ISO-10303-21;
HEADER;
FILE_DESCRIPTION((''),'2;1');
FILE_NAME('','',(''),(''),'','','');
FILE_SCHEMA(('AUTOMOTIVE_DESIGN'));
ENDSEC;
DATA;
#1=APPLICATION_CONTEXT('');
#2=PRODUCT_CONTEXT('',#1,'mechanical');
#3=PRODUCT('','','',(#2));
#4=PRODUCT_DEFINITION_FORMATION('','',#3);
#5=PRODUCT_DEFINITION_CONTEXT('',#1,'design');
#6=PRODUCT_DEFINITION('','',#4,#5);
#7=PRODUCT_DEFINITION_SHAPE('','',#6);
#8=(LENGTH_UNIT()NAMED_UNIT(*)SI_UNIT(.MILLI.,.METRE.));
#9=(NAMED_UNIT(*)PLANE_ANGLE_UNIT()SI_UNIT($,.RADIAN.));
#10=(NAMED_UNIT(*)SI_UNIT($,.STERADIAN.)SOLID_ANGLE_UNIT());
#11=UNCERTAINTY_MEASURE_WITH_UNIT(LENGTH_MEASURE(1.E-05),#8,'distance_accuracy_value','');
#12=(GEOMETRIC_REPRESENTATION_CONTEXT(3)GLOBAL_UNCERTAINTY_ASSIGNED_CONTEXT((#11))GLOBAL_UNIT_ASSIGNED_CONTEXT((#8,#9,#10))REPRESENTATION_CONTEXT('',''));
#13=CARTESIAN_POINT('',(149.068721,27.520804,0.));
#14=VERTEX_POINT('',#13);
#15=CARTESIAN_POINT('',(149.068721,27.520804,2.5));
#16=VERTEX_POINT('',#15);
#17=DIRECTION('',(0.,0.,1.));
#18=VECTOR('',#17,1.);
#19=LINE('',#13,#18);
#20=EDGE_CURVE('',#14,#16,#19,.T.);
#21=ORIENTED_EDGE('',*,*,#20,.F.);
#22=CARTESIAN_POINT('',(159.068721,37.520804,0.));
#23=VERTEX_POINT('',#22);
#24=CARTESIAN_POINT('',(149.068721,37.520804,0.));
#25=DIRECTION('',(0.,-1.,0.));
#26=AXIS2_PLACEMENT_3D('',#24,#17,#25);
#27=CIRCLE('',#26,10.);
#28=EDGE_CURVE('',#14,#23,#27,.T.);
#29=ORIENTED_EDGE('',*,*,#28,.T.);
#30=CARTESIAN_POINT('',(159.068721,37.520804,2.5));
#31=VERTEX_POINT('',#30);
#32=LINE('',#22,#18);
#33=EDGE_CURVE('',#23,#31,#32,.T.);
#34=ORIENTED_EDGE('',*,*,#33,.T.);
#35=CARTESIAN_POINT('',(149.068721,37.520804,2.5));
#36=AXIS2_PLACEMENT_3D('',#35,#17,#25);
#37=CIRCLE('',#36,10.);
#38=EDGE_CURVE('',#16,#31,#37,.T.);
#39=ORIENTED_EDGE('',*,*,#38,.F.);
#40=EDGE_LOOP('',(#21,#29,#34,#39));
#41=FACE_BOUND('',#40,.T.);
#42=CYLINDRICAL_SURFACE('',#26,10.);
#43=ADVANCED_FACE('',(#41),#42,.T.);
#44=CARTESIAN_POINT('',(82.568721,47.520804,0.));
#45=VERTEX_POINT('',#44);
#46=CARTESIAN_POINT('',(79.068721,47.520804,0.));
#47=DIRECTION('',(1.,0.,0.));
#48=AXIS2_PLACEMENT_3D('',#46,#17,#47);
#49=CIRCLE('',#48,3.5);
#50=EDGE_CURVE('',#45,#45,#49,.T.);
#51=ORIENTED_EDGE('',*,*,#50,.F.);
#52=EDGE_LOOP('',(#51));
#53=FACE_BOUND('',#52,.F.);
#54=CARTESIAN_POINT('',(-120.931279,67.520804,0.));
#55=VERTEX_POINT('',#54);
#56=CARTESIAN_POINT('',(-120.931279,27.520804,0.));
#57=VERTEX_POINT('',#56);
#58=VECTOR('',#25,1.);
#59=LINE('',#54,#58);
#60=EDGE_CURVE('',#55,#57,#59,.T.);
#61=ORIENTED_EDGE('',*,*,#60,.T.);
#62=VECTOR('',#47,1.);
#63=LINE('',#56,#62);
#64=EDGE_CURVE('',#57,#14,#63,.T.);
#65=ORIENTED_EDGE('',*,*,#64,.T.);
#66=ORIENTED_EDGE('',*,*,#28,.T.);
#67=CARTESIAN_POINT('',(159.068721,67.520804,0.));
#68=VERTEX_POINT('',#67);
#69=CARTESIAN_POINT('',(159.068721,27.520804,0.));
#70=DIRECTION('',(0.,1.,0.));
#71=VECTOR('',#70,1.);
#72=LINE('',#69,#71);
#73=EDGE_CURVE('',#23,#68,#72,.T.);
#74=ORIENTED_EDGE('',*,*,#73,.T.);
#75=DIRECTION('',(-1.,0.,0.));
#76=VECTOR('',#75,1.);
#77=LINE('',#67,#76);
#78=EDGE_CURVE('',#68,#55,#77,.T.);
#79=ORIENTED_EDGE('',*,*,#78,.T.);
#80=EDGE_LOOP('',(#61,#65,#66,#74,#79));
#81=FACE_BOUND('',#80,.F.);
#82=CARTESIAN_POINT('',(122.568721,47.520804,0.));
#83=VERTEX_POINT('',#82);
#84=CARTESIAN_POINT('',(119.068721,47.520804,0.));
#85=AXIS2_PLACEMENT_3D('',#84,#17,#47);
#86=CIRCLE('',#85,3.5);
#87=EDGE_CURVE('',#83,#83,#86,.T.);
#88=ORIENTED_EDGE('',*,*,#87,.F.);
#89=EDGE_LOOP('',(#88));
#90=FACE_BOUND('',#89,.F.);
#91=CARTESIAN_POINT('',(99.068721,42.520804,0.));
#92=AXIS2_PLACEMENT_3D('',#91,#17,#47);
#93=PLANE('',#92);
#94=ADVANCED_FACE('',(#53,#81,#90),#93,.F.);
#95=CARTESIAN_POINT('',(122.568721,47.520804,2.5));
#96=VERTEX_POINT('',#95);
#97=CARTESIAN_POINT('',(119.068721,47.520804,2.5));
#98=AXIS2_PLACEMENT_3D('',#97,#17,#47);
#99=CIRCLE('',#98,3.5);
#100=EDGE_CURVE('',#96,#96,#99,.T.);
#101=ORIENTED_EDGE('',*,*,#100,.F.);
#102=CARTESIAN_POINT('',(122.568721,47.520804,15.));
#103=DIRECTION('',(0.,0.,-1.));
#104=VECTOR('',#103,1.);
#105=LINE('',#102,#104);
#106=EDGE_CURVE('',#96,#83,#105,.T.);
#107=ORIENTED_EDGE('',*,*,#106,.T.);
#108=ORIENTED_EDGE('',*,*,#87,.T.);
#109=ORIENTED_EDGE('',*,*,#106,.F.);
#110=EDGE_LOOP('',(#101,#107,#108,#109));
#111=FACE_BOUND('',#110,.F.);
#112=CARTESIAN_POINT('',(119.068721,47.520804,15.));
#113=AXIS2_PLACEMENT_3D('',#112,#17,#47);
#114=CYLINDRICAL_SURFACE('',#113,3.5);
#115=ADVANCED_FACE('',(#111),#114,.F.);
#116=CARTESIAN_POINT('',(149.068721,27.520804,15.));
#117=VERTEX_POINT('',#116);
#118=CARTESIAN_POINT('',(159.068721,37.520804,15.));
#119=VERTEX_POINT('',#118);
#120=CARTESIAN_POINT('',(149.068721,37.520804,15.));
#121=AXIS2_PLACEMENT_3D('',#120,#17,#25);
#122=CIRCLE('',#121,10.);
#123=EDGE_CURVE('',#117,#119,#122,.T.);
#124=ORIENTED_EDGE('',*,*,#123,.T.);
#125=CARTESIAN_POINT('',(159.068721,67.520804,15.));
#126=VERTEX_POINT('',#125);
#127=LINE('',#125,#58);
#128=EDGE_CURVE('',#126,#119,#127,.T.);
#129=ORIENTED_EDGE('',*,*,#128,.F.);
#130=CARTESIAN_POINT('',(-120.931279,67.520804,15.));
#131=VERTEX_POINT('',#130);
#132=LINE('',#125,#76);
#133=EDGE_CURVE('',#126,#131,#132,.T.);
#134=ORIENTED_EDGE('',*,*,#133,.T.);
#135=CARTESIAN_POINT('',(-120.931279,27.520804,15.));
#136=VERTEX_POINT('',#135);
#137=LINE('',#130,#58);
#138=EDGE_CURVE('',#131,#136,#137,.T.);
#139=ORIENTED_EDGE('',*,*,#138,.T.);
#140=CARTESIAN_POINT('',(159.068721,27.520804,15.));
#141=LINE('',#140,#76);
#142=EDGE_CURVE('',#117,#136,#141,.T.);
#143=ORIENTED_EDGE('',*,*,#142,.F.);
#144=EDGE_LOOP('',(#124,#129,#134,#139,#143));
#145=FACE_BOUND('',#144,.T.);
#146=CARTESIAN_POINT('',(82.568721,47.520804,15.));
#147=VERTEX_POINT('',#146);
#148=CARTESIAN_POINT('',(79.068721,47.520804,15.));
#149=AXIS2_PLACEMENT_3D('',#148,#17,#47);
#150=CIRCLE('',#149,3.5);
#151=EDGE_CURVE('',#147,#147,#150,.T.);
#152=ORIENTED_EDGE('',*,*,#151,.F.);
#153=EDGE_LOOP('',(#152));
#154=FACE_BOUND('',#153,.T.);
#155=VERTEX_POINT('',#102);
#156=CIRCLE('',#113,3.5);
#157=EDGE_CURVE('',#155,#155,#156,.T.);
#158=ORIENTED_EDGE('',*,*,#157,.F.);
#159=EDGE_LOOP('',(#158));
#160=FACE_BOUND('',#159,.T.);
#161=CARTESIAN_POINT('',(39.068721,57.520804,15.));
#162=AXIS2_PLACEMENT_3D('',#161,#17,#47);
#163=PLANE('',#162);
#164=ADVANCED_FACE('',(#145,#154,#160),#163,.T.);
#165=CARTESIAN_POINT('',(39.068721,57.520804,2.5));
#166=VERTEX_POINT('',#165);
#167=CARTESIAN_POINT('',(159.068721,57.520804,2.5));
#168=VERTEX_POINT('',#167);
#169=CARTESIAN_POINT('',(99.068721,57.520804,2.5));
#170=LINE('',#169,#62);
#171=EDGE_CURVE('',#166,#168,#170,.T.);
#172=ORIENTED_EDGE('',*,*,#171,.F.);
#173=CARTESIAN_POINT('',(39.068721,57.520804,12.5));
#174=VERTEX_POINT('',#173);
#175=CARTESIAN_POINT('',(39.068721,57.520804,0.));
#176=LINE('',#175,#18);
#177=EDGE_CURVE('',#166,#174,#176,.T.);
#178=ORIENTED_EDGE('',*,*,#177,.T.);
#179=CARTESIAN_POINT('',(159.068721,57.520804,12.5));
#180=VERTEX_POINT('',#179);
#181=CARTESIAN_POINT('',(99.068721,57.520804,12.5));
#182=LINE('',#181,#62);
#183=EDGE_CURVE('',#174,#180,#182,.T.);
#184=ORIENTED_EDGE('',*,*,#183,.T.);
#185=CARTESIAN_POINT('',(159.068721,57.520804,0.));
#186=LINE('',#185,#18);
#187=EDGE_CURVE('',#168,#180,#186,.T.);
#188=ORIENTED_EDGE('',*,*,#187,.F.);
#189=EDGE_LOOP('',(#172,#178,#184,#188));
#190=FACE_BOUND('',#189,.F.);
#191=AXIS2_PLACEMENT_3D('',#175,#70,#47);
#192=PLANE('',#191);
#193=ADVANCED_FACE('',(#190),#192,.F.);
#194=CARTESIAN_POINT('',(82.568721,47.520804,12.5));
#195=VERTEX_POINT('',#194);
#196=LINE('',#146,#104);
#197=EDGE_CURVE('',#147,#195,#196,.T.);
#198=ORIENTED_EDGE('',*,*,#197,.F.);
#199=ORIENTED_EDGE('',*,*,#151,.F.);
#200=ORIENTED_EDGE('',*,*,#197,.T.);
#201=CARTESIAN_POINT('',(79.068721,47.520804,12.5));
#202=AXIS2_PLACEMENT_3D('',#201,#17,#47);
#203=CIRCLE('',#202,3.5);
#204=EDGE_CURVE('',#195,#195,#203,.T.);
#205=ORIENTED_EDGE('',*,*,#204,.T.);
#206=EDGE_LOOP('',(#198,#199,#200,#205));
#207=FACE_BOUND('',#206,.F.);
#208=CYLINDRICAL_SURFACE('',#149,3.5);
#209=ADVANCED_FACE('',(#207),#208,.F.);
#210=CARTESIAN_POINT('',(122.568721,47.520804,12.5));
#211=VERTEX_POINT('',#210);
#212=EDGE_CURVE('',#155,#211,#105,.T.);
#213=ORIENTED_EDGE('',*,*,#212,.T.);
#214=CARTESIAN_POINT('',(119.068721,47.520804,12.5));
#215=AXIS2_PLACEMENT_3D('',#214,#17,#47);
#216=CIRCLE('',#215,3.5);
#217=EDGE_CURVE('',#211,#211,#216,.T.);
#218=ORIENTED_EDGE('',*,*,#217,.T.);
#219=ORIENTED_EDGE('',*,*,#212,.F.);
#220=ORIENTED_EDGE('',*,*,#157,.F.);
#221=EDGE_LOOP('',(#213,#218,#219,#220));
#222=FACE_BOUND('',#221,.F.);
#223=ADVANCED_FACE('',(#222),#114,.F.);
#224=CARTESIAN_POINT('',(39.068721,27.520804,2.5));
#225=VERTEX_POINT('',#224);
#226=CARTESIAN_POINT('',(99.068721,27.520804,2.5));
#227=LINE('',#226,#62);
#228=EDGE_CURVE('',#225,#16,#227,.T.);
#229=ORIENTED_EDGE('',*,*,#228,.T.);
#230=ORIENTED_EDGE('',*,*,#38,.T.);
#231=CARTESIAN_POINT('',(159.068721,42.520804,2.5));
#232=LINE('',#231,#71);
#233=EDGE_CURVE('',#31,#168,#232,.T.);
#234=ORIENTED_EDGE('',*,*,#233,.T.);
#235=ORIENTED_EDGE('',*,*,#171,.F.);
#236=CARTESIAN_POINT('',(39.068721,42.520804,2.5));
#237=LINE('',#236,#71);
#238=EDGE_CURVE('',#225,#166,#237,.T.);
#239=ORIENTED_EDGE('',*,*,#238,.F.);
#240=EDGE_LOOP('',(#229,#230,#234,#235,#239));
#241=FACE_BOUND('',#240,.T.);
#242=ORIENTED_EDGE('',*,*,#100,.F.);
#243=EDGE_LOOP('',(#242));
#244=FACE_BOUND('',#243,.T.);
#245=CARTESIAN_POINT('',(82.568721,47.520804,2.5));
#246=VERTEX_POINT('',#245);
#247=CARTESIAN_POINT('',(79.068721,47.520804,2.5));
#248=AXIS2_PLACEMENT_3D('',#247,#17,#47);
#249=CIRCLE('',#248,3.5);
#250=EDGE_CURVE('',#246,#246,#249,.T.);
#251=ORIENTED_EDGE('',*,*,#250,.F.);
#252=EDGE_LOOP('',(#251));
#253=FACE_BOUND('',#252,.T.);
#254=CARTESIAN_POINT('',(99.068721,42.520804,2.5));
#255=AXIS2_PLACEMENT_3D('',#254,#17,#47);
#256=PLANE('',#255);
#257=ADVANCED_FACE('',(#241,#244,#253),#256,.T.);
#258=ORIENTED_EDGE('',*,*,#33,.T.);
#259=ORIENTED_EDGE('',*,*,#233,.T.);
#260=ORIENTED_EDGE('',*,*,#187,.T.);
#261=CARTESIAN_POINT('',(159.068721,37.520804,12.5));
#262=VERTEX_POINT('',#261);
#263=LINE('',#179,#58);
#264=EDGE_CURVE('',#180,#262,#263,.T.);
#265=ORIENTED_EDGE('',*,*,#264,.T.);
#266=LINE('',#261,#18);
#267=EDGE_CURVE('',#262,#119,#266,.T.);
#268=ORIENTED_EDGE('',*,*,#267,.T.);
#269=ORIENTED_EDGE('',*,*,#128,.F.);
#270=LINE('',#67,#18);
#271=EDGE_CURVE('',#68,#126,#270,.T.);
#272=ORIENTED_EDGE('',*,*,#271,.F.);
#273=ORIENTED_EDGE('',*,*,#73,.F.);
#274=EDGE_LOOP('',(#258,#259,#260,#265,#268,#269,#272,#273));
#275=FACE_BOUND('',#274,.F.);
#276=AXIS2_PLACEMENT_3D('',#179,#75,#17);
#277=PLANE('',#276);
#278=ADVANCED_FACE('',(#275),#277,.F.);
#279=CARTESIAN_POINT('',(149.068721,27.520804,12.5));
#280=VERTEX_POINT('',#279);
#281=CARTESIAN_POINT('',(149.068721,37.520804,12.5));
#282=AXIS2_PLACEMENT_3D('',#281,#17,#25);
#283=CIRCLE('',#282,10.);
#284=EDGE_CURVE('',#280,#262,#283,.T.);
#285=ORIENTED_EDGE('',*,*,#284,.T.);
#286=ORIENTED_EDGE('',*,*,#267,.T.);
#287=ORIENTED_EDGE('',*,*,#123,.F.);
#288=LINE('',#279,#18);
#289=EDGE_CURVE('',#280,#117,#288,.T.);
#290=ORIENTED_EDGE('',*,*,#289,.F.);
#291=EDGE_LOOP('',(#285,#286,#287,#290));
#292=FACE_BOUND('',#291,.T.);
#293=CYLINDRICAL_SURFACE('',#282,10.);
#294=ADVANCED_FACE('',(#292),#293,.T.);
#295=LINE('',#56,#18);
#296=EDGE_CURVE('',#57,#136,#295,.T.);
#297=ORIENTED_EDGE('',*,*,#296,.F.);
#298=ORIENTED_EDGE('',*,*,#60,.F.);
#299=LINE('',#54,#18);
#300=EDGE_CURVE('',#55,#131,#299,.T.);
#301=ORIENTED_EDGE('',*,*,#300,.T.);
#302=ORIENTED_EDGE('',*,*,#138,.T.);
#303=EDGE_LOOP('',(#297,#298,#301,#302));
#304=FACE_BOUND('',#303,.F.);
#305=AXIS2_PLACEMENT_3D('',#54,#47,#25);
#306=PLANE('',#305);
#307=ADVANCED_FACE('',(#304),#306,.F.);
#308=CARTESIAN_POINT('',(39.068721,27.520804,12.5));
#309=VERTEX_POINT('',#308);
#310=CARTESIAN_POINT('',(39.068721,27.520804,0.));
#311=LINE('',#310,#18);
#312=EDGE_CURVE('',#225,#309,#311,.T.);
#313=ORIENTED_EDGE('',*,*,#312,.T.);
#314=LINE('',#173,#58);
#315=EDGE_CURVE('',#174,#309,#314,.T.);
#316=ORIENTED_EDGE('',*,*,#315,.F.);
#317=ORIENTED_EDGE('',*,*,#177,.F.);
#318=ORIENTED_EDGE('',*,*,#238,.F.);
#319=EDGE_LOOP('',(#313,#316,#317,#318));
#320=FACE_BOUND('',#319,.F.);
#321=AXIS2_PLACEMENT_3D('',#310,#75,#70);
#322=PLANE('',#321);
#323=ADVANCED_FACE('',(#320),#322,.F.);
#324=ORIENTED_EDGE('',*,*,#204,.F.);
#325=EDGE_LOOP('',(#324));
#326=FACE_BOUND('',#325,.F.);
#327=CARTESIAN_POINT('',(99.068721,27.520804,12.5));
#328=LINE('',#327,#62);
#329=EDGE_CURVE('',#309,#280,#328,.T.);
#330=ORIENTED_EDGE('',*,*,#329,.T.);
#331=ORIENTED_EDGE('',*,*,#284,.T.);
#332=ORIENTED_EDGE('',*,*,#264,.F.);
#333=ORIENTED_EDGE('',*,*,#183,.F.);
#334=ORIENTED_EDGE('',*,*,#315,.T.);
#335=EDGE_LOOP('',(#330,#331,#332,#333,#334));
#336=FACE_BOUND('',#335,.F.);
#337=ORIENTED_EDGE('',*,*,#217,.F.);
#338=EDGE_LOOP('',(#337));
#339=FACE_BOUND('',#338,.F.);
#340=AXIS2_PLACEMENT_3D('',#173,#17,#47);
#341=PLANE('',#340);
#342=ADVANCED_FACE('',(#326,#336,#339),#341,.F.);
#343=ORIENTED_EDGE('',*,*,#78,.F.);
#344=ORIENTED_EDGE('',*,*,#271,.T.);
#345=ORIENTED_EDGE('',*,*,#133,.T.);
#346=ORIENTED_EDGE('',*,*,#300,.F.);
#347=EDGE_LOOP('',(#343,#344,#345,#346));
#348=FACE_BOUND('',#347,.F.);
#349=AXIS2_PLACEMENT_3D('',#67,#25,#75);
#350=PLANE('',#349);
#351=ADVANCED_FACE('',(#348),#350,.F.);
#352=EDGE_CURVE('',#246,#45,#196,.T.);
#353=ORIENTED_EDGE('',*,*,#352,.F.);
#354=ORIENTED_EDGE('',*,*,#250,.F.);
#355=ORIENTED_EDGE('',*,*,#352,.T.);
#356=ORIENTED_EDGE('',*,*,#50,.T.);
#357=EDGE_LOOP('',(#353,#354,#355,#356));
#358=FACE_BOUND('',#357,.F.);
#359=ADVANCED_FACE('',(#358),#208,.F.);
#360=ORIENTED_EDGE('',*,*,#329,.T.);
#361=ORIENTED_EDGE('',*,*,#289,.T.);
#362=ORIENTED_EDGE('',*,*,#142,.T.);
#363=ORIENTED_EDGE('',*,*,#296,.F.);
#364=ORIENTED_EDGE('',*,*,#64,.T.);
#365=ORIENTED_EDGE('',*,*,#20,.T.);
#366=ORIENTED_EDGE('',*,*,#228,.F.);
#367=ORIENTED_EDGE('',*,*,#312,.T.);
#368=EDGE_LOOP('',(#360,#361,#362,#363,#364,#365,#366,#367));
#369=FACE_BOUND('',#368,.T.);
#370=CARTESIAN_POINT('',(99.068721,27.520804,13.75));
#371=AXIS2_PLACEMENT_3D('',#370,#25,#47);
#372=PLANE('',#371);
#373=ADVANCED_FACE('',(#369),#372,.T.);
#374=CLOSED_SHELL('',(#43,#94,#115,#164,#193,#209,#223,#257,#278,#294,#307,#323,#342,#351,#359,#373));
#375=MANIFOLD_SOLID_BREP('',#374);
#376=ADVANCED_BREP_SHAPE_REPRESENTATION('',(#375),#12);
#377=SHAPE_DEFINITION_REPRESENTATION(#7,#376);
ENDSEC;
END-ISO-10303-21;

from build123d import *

# Parameters (mm, degrees)
F1_DEPTH = 15
F0_W     = 120
F0_H     = 30
F2_DEPTH = 2.5
F3_W     = 120
F3_H     = 2.5
F4_DEPTH = 30
F5_R     = 10
F6_R     = 3.5
F7_DEPTH = 25


with BuildPart() as f1:
    # F0 (on Top) → F1 (new body)
    with BuildSketch(Plane.XY):
        Polygon((159.068721, 67.520804), (-120.931279, 67.520804), (-120.931279, 27.520804), (39.068721, 27.520804), (39.068721, 57.520804), (159.068721, 57.520804), align=None)
    extrude(amount=F1_DEPTH)

    # F0 (on Top) → F2 (join)
    with BuildSketch(Plane.XY):
        with Locations((99.068721, 42.520804)):
            Rectangle(F0_W, F0_H)
    extrude(amount=F2_DEPTH)

    # F3 (on face) → F4 (join)
    with BuildSketch(Plane.XZ.offset(-57.520804)):
        with Locations((99.068721, 13.75)):
            Rectangle(F3_W, F3_H)
    extrude(amount=F4_DEPTH)

    # F5
    f5_edges = [f1.edges().sort_by_distance(p)[0] for p in [
        (159.068721, 27.520804, 13.75),
        (159.068721, 27.520804, 1.25),
    ]]
    fillet(f5_edges, radius=F5_R)

    # F6 (on face) → F7 (cut)
    with BuildSketch(Plane.XY.offset(15)):
        with Locations((79.068721, 47.520804)):
            Circle(F6_R)
        with Locations((119.068721, 47.520804)):
            Circle(F6_R)
    extrude(amount=-F7_DEPTH, mode=Mode.SUBTRACT)


solid = f1.part
